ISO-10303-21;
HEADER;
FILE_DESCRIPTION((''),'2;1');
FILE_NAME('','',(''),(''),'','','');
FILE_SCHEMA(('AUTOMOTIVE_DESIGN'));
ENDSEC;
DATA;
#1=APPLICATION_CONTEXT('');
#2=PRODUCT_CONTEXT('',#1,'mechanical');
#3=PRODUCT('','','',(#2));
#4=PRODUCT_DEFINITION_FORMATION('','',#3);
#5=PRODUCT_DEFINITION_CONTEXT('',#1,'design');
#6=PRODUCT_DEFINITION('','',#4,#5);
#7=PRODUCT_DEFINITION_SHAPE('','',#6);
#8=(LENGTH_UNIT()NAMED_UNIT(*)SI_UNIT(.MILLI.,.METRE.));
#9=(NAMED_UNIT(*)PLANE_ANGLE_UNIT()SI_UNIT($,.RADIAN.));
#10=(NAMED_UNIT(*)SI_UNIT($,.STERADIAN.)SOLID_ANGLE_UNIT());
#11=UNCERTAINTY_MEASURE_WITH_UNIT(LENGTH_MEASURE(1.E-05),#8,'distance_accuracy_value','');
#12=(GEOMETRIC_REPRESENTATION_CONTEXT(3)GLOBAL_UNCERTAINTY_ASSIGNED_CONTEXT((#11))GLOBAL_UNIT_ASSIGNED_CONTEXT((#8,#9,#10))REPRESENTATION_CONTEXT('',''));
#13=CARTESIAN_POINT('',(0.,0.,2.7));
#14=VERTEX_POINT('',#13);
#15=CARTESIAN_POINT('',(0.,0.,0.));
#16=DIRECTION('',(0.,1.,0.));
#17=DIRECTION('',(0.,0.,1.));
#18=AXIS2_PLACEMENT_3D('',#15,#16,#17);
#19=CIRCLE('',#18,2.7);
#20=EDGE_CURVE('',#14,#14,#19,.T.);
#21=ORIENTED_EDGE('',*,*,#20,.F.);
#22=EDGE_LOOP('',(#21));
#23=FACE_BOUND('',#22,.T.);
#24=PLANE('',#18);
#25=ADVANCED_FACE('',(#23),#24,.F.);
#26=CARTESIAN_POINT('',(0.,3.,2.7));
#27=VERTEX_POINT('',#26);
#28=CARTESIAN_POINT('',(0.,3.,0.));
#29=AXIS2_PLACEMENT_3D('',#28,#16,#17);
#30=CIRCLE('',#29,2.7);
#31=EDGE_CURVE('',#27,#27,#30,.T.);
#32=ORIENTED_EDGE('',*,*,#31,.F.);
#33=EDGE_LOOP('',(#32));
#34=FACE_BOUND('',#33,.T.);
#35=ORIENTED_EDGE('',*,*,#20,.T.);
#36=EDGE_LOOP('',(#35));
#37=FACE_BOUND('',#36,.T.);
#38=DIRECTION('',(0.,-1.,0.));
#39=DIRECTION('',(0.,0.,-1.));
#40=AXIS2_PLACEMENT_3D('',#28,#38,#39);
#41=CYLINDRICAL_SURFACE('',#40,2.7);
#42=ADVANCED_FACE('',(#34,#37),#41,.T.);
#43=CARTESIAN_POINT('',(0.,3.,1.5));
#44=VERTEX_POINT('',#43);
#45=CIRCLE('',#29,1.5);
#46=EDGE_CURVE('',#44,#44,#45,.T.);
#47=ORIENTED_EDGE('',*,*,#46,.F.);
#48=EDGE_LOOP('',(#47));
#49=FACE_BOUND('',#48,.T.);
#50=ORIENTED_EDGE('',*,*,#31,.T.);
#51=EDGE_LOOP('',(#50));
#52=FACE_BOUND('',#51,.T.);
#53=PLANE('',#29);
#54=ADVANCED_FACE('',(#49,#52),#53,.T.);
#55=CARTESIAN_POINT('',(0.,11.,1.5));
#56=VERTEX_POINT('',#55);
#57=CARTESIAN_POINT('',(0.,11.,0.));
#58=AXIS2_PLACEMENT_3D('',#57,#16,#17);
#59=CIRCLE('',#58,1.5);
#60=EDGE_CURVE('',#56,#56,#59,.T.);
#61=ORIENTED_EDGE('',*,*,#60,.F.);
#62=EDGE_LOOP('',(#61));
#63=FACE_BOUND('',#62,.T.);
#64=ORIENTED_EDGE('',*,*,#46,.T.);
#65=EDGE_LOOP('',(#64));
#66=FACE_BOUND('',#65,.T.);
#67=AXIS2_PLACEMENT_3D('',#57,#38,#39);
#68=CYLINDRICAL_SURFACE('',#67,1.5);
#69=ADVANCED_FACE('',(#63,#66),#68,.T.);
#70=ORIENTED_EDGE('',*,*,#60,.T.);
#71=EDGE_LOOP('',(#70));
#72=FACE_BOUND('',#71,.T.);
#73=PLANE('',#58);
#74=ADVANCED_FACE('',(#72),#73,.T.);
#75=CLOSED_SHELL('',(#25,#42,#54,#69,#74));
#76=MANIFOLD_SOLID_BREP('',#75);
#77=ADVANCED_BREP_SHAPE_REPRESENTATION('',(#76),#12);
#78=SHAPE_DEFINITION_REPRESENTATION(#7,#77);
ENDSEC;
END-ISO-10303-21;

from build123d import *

# Parameters (mm, degrees)
SKETCH1_R           = 2.7
BOSS_EXTRUDE1_DEPTH = 3
SKETCH2_R           = 1.5
BOSS_EXTRUDE2_DEPTH = 8


with BuildPart() as part:
    # Sketch1 → Boss-Extrude1 (new body)
    with BuildSketch(Plane(origin=(0, 0, 0), x_dir=(1, 0, 0), z_dir=(0, 1, 0))):
        Circle(SKETCH1_R)
    extrude(amount=BOSS_EXTRUDE1_DEPTH)

    # Sketch2 → Boss-Extrude2 (add)
    with BuildSketch(Plane(origin=(0, 3, 0), x_dir=(1, 0, 0), z_dir=(0, 1, 0))):
        Circle(SKETCH2_R)
    extrude(amount=BOSS_EXTRUDE2_DEPTH)


solid = part.part
